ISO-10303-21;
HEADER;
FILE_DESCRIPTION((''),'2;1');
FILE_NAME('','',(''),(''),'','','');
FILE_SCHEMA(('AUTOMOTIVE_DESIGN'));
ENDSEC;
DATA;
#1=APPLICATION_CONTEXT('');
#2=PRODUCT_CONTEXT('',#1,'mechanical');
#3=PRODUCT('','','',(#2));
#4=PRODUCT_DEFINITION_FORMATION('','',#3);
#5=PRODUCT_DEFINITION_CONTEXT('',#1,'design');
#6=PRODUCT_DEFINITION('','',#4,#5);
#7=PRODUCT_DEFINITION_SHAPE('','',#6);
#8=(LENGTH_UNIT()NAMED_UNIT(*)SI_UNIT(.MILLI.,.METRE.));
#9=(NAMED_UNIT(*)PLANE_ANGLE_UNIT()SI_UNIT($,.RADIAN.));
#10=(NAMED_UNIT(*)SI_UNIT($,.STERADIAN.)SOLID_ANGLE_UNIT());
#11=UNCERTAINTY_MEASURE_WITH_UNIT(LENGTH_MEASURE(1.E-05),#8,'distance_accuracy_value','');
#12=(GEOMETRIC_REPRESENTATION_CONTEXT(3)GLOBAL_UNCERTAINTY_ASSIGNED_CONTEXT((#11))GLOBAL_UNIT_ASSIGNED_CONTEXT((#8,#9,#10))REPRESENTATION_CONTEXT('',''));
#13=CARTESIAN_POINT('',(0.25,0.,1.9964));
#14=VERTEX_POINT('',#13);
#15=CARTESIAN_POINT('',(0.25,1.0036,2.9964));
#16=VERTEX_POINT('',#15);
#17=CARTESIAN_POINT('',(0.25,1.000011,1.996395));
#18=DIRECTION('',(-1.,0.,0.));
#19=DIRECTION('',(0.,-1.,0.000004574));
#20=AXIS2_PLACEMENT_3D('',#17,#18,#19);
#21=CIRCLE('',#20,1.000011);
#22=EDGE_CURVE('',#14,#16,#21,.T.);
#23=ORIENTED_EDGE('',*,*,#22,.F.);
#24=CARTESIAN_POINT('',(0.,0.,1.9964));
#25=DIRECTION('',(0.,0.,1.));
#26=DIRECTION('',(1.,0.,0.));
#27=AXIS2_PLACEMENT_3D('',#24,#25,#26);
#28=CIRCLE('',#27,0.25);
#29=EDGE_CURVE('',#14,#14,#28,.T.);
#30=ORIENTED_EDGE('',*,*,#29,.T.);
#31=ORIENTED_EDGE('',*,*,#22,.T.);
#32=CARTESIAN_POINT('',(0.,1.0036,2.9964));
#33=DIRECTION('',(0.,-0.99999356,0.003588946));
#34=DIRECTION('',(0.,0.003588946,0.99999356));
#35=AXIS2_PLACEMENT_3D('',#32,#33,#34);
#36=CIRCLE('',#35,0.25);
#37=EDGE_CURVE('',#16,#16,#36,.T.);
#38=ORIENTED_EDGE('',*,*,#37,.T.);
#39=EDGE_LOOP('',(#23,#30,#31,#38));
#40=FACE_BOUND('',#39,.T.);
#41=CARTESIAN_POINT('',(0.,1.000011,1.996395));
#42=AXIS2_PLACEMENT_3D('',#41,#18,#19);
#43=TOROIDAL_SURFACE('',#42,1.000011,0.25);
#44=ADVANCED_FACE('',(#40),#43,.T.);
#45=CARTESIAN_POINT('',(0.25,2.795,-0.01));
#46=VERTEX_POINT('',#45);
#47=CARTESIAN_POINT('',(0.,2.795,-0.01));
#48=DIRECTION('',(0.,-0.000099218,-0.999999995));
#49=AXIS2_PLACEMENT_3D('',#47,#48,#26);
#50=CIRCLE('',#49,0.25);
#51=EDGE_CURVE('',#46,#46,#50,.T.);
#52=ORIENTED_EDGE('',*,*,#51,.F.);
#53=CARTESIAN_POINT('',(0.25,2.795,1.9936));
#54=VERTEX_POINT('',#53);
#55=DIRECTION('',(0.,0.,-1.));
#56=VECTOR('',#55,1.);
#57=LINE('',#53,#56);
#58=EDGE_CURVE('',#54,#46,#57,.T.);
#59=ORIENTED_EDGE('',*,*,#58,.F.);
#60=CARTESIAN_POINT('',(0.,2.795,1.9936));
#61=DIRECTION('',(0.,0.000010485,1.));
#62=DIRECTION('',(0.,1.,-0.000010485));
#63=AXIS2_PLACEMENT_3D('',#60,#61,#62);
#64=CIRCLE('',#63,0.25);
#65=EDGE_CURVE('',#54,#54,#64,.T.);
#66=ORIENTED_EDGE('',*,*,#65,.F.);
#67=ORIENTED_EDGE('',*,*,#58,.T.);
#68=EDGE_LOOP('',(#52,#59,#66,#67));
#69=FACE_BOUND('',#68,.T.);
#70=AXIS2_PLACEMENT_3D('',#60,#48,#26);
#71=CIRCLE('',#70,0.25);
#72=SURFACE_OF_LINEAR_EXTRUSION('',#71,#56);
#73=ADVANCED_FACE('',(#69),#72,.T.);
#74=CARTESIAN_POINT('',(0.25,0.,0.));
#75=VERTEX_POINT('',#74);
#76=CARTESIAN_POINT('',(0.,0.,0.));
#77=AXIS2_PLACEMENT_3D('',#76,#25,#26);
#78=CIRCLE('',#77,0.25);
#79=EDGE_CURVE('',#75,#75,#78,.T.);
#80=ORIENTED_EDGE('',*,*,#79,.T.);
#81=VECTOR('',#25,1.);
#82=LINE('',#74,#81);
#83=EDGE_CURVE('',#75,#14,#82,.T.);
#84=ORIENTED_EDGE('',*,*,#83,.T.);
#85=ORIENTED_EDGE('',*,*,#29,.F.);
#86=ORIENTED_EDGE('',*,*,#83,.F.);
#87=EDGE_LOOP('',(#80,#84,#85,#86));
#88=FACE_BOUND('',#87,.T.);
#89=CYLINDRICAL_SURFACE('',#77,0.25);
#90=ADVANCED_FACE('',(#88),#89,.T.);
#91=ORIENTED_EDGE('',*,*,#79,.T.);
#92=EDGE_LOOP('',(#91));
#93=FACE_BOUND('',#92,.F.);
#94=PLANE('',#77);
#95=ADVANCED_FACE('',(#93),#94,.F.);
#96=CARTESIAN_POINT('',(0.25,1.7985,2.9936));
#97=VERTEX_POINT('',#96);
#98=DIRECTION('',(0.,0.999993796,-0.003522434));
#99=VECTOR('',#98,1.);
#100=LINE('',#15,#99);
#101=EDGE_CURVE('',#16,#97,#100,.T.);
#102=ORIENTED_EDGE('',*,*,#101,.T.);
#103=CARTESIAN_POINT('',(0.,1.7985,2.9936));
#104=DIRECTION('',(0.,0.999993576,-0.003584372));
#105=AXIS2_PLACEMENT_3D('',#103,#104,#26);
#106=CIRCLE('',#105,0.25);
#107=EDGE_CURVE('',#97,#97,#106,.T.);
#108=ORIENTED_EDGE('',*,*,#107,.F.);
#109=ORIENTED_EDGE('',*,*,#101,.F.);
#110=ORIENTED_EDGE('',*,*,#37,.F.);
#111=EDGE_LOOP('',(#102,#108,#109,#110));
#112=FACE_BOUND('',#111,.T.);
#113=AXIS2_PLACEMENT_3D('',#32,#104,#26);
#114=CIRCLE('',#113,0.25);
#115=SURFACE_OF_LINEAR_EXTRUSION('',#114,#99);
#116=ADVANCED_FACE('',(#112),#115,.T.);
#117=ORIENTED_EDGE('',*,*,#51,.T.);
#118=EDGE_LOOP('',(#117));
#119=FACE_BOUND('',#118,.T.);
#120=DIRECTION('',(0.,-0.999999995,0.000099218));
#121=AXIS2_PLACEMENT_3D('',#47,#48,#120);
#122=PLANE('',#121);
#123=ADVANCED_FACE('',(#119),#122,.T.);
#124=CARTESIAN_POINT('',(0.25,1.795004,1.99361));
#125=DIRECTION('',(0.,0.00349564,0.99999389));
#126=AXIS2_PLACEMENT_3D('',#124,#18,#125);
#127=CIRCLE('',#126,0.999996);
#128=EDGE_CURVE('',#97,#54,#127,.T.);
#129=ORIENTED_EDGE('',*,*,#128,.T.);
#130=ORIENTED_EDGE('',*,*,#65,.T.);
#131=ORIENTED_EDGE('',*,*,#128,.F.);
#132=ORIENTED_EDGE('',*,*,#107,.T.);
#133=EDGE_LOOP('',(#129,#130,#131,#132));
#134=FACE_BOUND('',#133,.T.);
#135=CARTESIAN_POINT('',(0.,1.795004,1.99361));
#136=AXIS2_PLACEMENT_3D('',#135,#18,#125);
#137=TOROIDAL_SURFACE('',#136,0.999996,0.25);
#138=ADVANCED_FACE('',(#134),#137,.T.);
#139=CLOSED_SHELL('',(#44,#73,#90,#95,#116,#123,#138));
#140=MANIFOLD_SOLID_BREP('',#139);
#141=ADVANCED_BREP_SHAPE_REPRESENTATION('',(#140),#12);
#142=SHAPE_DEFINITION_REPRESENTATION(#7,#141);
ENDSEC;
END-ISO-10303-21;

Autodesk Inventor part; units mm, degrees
ref_plane "YZ Plane" through (0, 0, 0) normal (1, 0, 0) x (0, 1, 0)
ref_plane "XZ Plane" through (0, 0, 0) normal (0, 1, 0) x (-1, 0, 0)
ref_plane "XY Plane" through (0, 0, 0) normal (0, 0, 1) x (1, 0, 0)
sketch "Sketch1" plane through (0, 0, 0) normal (0, 0, 1) x (1, 0, 0)
  circle A0 centre (0, 0) radius 0.25
  dimension "d0" = 0.5
sketch3d "3D Sketch2"
  line L0 (0, 0, 0) -> (0, 0, 1.9964)
  arc A0 (0, 0, 1.9964) -> (0, 1.0036, 2.9964) centre (0, 1, 1.9964) ccw
  line L1 (0, 1.0036, 2.9964) -> (0, 1.7985, 2.9936)
  arc A1 (0, 1.7985, 2.9936) -> (0, 2.795, 1.9936) centre (0, 1.795, 1.9936) ccw
  line L2 (0, 2.795, 1.9936) -> (0, 2.795, -0.01)
  dimension "d8" = 3
  dimension "d9" = 2.795
  dimension "d10" = 3
  dimension "d5" = 1
  dimension "d6" = 1
sweep "Sweep1" add profiles "Sketch1" path "3D Sketch2"
equation "\"d6\" = d5"
properties part number "antenna_stop_3"
